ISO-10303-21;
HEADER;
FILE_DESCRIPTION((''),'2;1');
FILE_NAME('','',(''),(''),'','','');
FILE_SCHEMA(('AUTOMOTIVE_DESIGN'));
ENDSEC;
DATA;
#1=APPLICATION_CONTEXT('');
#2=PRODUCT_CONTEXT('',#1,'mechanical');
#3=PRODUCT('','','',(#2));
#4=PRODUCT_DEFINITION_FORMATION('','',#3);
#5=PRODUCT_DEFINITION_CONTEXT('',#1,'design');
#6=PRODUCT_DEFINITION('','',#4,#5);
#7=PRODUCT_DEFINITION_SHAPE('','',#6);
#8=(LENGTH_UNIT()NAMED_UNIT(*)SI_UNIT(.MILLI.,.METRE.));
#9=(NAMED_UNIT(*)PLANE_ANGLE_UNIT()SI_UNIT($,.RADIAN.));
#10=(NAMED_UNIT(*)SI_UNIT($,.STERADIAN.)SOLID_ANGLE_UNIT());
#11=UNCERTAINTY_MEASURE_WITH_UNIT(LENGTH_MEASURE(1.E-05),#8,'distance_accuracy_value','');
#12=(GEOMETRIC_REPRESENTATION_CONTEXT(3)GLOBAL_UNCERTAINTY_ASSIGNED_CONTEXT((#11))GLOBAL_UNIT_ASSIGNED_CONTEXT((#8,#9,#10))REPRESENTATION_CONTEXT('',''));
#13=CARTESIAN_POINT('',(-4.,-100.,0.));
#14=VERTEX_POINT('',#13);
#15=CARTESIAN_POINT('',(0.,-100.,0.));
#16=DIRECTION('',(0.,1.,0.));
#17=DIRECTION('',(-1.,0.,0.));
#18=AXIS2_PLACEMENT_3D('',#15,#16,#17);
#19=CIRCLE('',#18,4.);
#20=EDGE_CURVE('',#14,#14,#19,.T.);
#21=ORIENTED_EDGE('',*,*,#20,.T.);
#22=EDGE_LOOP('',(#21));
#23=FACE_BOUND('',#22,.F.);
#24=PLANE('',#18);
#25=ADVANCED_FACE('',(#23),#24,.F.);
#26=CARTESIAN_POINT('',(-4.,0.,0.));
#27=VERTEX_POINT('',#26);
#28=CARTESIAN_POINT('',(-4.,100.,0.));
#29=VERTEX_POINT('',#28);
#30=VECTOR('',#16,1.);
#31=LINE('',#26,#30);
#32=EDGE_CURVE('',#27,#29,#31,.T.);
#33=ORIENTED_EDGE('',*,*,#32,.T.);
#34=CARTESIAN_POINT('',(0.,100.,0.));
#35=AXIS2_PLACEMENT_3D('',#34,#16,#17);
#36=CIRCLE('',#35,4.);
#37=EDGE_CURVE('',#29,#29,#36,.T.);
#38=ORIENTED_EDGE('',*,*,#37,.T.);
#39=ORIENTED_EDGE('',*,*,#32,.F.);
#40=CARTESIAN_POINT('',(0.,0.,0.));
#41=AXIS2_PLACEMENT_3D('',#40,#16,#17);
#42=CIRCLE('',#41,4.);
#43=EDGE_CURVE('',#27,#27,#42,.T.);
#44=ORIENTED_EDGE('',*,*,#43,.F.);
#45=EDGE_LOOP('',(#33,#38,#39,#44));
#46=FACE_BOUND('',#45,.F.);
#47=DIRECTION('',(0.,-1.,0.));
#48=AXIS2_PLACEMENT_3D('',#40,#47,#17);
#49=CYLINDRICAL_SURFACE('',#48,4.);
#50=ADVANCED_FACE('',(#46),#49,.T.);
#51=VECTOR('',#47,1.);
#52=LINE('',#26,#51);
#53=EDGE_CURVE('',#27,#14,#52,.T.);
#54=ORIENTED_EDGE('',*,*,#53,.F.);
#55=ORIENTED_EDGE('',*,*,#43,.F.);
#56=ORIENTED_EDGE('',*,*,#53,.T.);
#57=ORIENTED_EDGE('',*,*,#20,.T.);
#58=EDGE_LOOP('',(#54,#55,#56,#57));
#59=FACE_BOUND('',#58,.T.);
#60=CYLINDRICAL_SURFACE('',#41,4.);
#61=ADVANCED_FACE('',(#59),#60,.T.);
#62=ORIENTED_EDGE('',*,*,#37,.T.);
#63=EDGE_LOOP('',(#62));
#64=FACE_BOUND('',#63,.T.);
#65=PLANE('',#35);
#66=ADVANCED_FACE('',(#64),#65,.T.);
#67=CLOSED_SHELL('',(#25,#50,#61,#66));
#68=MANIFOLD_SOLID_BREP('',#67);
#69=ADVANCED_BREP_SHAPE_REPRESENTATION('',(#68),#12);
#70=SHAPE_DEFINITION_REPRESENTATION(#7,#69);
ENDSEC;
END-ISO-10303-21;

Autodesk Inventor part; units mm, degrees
ref_plane "YZ Plane" through (0, 0, 0) normal (1, 0, 0) x (0, 1, 0)
ref_plane "XZ Plane" through (0, 0, 0) normal (0, 1, 0) x (-1, 0, 0)
ref_plane "XY Plane" through (0, 0, 0) normal (0, 0, 1) x (1, 0, 0)
sketch "Sketch1" plane through (0, 0, 0) normal (0, 1, 0) x (-1, 0, 0)
  circle A0 centre (0, 0) radius 4
  dimension "d0" = 8
extrude "Extrusion1" add sketch "Sketch1" along normal mid plane 200
properties part number "eje8x200mm"
